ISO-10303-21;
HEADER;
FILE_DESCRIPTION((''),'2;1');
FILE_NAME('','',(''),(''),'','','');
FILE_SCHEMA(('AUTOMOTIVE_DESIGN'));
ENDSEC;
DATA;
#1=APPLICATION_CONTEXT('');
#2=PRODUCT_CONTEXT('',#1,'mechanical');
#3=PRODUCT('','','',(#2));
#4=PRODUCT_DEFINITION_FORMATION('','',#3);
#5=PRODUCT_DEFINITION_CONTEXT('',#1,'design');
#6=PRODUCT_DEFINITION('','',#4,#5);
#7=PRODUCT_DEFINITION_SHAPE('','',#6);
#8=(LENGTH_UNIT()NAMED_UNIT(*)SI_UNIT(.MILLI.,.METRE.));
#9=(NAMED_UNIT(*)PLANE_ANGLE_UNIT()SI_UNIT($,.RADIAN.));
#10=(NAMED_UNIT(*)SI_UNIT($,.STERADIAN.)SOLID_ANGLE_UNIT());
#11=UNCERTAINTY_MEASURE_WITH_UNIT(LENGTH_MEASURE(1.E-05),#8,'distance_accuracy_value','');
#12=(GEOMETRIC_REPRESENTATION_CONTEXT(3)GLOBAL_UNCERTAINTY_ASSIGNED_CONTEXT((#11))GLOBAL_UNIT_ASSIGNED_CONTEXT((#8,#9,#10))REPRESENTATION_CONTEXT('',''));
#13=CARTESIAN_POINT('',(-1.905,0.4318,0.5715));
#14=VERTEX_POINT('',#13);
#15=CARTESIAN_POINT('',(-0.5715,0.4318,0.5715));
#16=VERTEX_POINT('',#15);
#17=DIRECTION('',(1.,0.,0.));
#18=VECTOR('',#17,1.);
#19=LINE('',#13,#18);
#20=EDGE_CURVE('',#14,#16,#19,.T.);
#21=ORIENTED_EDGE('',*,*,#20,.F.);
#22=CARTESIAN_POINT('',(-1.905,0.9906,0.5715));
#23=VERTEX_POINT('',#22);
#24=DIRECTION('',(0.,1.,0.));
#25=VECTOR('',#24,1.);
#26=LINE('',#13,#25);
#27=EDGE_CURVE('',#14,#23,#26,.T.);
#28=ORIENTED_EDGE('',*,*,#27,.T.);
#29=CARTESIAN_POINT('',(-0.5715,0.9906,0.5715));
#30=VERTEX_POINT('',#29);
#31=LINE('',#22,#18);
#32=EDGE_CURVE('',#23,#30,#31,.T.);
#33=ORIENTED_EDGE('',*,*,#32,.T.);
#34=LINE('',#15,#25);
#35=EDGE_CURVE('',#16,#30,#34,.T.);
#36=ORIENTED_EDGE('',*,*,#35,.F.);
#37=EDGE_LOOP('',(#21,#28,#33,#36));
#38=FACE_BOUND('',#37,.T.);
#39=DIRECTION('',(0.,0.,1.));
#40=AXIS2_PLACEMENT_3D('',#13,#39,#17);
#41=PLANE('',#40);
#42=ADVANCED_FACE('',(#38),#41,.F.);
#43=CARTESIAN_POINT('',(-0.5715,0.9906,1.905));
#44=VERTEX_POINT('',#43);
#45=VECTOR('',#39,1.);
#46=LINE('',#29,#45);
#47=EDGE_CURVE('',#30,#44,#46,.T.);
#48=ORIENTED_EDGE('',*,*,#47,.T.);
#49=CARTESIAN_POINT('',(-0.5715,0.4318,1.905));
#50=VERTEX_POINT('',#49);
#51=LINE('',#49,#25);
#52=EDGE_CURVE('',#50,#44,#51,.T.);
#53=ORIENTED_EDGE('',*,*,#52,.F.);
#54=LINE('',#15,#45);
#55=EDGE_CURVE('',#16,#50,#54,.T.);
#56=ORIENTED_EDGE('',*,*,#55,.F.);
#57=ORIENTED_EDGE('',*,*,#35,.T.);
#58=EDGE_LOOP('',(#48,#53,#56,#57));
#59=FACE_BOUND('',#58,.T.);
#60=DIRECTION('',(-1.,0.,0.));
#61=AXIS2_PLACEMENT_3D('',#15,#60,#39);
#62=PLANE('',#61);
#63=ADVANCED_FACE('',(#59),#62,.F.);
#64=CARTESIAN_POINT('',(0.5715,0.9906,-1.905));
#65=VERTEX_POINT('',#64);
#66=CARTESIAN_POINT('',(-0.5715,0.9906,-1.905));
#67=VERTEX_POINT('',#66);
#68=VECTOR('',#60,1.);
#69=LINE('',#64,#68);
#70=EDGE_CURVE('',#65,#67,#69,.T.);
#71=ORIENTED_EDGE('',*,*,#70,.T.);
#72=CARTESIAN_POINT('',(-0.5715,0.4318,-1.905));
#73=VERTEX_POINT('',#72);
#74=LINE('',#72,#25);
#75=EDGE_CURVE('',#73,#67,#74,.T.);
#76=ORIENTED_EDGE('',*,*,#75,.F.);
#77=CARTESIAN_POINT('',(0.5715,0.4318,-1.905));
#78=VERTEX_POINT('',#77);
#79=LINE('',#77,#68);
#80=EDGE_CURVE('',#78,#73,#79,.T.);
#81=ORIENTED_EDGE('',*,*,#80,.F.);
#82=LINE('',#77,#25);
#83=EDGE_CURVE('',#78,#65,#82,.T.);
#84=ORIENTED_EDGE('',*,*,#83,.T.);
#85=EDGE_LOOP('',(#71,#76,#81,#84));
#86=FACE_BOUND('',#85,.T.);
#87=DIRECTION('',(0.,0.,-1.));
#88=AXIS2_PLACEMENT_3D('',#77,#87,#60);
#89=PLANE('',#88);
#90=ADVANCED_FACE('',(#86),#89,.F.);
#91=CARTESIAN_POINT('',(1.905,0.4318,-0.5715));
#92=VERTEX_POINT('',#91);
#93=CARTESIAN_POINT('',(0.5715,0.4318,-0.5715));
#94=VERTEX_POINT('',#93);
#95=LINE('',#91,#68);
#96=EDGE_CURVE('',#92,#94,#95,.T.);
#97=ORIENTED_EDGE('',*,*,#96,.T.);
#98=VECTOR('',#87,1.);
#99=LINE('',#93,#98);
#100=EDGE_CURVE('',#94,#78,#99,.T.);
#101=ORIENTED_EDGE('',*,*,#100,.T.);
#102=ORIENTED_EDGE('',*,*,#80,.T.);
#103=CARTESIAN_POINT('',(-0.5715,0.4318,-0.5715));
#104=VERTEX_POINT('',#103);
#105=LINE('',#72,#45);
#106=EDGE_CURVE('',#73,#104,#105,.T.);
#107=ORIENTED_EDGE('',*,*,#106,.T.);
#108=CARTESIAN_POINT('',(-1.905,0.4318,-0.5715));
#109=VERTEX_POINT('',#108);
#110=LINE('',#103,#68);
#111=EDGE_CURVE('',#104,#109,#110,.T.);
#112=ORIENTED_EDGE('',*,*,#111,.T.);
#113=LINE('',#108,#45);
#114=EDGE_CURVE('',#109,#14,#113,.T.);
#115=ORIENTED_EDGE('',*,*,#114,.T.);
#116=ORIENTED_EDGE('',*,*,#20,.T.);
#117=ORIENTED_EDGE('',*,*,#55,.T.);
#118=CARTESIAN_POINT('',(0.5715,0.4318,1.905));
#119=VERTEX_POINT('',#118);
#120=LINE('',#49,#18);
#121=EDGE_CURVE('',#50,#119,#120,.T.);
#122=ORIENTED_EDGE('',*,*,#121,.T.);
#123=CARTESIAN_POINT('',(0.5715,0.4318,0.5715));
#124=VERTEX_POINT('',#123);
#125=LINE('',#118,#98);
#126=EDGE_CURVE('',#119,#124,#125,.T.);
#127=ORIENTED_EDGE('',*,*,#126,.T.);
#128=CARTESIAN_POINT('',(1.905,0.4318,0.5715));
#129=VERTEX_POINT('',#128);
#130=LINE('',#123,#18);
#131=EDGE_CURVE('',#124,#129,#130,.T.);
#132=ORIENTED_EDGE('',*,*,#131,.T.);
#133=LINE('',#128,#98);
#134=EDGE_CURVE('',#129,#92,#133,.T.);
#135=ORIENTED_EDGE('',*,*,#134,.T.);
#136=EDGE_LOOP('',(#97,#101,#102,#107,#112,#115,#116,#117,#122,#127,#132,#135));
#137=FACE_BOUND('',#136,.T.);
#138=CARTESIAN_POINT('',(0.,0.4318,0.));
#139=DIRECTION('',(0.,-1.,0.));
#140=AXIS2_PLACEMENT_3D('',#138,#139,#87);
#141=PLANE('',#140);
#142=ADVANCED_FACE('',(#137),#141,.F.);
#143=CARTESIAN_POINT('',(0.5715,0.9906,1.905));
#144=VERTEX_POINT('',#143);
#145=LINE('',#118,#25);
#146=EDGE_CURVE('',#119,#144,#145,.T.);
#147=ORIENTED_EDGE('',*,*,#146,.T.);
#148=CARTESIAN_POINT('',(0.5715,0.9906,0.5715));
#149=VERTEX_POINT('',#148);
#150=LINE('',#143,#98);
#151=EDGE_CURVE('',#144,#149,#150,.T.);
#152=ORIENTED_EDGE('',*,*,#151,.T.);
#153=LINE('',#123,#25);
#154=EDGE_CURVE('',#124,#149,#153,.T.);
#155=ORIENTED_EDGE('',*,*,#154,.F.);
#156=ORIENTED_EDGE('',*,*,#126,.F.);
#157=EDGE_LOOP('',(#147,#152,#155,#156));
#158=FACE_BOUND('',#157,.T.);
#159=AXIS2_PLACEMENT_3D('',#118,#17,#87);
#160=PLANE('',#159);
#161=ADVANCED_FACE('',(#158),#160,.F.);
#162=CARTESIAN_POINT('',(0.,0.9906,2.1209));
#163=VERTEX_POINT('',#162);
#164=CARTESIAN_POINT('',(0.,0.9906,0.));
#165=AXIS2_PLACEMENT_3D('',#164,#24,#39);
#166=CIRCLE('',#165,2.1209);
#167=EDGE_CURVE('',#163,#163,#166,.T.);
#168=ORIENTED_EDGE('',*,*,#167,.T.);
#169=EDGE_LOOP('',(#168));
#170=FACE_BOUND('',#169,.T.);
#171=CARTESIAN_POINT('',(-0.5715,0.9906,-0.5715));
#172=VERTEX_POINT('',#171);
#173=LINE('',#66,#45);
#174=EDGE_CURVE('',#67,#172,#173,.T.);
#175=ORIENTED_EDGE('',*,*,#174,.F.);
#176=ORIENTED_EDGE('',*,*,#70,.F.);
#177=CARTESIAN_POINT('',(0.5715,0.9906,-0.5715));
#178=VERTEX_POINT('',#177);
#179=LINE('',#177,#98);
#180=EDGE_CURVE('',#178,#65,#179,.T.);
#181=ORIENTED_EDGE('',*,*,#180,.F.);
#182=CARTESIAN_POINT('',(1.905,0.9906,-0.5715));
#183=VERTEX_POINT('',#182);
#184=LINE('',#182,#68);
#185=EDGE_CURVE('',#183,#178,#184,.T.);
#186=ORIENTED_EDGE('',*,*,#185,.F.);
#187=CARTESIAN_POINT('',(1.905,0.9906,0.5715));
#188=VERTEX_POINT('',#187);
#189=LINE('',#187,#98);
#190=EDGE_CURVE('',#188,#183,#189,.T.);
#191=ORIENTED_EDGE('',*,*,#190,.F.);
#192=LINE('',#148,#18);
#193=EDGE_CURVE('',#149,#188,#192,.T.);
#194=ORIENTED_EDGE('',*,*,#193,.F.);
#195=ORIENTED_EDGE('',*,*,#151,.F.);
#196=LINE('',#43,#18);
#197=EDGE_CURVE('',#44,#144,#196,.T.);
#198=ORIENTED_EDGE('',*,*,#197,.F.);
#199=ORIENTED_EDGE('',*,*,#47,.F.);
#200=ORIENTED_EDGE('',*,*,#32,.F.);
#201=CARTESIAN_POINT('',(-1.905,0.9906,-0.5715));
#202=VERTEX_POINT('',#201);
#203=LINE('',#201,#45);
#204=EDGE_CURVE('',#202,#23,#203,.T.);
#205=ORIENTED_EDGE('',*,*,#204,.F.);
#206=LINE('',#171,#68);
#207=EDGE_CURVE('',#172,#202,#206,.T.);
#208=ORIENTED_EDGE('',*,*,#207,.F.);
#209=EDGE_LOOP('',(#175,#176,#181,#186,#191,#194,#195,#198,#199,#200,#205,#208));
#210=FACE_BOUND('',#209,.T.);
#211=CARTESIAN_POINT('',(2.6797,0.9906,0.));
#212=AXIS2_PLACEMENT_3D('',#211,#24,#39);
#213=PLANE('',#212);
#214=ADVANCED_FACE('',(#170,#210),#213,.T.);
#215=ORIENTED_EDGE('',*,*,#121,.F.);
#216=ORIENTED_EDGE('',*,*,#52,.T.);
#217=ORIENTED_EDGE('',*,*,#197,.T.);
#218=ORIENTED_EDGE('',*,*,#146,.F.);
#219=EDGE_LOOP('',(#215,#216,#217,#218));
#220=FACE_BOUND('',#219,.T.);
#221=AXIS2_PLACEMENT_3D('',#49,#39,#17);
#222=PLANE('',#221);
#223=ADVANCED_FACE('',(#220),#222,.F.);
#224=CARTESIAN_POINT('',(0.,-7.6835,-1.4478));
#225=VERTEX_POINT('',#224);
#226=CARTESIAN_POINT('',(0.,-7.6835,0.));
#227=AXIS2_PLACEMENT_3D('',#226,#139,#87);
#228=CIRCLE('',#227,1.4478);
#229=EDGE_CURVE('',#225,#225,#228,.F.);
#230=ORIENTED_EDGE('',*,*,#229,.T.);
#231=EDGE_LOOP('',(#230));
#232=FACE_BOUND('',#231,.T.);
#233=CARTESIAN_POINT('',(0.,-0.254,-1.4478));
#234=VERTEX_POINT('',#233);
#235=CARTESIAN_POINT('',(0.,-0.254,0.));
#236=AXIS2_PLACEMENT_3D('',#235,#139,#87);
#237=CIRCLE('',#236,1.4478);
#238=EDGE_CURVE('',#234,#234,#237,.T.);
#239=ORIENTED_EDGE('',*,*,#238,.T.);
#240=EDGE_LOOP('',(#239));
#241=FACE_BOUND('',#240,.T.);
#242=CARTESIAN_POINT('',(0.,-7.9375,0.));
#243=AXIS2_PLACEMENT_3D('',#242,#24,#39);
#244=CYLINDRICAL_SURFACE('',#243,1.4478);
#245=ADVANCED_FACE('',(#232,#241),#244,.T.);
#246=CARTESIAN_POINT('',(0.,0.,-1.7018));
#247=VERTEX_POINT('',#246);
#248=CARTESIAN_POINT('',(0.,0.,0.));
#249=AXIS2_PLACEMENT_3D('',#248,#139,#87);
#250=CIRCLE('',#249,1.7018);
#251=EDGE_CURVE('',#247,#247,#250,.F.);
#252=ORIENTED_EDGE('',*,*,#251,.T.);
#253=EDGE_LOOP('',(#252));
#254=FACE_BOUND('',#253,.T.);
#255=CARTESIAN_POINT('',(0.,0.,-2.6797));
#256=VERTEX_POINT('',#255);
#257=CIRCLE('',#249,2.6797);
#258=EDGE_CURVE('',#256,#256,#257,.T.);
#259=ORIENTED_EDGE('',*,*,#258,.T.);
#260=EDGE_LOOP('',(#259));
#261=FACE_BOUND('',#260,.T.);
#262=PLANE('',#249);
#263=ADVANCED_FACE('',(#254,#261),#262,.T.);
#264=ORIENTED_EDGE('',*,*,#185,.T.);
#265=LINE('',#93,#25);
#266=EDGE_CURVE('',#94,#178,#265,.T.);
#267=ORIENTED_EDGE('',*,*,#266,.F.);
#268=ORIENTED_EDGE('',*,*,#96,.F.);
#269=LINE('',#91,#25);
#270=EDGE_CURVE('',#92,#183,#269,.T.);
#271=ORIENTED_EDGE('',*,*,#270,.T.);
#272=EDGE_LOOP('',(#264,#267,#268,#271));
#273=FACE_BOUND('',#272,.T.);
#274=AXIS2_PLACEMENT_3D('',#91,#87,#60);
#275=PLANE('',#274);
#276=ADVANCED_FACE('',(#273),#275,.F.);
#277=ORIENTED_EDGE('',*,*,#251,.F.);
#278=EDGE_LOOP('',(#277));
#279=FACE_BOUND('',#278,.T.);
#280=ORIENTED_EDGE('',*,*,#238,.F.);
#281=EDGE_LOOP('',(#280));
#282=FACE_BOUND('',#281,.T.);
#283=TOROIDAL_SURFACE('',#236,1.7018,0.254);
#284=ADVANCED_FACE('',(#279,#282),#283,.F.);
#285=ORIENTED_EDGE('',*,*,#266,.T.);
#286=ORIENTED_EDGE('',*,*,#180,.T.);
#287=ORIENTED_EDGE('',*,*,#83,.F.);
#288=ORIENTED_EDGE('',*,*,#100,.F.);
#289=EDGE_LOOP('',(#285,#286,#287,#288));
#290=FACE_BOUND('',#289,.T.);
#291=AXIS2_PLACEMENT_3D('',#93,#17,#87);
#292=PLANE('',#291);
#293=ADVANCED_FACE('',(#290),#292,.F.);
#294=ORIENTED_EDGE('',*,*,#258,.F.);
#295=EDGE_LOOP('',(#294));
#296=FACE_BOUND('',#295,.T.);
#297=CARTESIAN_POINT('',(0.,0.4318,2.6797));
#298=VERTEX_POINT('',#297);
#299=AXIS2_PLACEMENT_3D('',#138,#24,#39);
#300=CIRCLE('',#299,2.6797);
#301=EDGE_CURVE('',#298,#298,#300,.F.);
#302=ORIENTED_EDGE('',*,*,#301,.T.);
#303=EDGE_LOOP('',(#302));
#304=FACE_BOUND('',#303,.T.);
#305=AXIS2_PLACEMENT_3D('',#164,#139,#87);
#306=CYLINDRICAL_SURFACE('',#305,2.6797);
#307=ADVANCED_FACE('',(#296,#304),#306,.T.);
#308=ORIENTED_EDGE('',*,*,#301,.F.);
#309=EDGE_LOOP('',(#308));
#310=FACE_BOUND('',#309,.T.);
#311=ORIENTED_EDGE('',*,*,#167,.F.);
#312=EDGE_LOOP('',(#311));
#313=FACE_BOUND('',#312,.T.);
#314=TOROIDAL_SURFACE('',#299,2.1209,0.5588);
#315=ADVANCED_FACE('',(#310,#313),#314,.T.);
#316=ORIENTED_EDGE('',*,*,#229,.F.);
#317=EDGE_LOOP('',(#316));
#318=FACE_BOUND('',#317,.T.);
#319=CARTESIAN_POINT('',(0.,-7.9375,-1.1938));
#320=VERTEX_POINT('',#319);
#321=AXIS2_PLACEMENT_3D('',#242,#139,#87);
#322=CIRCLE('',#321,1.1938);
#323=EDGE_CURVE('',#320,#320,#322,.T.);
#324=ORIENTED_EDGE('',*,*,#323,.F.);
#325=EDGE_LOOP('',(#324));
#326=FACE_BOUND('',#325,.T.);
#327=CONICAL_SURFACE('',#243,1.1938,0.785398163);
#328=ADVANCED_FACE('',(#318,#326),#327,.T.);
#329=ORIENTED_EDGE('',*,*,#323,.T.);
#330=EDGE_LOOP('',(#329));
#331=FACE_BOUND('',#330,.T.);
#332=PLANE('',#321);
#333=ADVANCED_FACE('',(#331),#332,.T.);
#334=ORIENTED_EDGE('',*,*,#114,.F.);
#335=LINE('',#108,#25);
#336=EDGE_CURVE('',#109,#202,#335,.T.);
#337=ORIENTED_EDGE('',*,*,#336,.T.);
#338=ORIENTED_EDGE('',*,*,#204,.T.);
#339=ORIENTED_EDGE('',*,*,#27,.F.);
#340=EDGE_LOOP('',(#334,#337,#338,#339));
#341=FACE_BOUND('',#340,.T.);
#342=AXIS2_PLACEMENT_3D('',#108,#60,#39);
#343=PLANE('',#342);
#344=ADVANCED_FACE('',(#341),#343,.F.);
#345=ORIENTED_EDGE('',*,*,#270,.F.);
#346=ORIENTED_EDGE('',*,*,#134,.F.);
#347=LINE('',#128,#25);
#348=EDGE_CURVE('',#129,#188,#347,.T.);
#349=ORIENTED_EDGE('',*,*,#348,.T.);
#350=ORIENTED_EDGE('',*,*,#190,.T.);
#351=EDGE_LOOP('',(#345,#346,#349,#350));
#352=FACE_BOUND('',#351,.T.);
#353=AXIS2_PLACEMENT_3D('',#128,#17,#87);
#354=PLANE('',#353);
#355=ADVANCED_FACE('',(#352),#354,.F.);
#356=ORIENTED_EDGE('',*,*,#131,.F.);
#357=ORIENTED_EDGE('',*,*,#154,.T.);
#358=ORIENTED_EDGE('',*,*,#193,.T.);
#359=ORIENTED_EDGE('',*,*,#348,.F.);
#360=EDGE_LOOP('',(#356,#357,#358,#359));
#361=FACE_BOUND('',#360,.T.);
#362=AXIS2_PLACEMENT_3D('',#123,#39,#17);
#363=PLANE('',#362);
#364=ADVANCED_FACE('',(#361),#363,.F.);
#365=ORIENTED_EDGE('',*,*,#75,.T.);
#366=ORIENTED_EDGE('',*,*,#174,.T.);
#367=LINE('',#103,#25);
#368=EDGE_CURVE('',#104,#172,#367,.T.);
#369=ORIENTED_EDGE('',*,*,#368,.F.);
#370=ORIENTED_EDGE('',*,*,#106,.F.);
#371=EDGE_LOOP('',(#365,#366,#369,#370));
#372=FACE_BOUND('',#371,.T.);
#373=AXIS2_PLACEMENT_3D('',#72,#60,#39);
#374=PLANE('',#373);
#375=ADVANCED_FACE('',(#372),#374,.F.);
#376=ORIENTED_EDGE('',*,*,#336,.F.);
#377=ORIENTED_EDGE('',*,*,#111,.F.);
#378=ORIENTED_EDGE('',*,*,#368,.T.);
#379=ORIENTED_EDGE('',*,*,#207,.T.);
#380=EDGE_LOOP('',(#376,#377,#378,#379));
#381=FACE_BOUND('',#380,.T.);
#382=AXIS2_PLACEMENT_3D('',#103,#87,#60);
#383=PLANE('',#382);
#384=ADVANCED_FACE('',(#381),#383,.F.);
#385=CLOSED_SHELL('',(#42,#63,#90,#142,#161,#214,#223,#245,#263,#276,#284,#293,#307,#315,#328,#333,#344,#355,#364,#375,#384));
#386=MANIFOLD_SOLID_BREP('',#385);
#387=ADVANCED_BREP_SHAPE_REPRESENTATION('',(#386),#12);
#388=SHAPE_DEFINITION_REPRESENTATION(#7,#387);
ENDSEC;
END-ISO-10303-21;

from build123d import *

# Parameters (mm, degrees)
SKETCH1_W           = 2.6797
SKETCH1_H           = 0.9906
SKETCH2_R           = 1.4478
BOSS_EXTRUDE1_DEPTH = 7.9375
CUT_EXTRUDE1_DEPTH  = 0.5588
CHAMFER1_SIZE       = 0.254
FILLET1_R           = 0.254
FILLET2_R           = 0.5588


with BuildPart() as part:
    # Sketch1 → Revolve1 (revolve)
    with BuildSketch(Plane.XY):
        with Locations((1.33985, 0.4953)):
            Rectangle(SKETCH1_W, SKETCH1_H)
    revolve(axis=Axis((0, 0.9906, 0), (0, -1, 0)))

    # Sketch2 → Boss-Extrude1 (add)
    with BuildSketch(Plane.XZ):
        Circle(SKETCH2_R)
    extrude(amount=BOSS_EXTRUDE1_DEPTH)

    # Sketch3 → Cut-Extrude1 (cut)
    with BuildSketch(Plane(origin=(0, 0.9906, 0), x_dir=(-1, 0, 0), z_dir=(0, 1, 0))):
        Polygon((-0.5715, -0.5715), (-0.5715, -1.905), (0.5715, -1.905), (0.5715, -0.5715), (1.905, -0.5715), (1.905, 0.5715), (0.5715, 0.5715), (0.5715, 1.905), (-0.5715, 1.905), (-0.5715, 0.5715), (-1.905, 0.5715), (-1.905, -0.5715), align=None)
    extrude(amount=-CUT_EXTRUDE1_DEPTH, mode=Mode.SUBTRACT)

    # Chamfer1
    chamfer1_edges = [part.edges().sort_by_distance(p)[0] for p in [
        (-1.4478, -7.9375, 0),
    ]]
    chamfer(chamfer1_edges, length=CHAMFER1_SIZE)

    # Fillet1
    fillet1_edges = [part.edges().sort_by_distance(p)[0] for p in [
        (-1.4478, 0, 0),
    ]]
    fillet(fillet1_edges, radius=FILLET1_R)

    # Fillet2
    fillet2_edges = [part.edges().sort_by_distance(p)[0] for p in [
        (-2.6797, 0.9906, 0),
    ]]
    fillet(fillet2_edges, radius=FILLET2_R)


solid = part.part
